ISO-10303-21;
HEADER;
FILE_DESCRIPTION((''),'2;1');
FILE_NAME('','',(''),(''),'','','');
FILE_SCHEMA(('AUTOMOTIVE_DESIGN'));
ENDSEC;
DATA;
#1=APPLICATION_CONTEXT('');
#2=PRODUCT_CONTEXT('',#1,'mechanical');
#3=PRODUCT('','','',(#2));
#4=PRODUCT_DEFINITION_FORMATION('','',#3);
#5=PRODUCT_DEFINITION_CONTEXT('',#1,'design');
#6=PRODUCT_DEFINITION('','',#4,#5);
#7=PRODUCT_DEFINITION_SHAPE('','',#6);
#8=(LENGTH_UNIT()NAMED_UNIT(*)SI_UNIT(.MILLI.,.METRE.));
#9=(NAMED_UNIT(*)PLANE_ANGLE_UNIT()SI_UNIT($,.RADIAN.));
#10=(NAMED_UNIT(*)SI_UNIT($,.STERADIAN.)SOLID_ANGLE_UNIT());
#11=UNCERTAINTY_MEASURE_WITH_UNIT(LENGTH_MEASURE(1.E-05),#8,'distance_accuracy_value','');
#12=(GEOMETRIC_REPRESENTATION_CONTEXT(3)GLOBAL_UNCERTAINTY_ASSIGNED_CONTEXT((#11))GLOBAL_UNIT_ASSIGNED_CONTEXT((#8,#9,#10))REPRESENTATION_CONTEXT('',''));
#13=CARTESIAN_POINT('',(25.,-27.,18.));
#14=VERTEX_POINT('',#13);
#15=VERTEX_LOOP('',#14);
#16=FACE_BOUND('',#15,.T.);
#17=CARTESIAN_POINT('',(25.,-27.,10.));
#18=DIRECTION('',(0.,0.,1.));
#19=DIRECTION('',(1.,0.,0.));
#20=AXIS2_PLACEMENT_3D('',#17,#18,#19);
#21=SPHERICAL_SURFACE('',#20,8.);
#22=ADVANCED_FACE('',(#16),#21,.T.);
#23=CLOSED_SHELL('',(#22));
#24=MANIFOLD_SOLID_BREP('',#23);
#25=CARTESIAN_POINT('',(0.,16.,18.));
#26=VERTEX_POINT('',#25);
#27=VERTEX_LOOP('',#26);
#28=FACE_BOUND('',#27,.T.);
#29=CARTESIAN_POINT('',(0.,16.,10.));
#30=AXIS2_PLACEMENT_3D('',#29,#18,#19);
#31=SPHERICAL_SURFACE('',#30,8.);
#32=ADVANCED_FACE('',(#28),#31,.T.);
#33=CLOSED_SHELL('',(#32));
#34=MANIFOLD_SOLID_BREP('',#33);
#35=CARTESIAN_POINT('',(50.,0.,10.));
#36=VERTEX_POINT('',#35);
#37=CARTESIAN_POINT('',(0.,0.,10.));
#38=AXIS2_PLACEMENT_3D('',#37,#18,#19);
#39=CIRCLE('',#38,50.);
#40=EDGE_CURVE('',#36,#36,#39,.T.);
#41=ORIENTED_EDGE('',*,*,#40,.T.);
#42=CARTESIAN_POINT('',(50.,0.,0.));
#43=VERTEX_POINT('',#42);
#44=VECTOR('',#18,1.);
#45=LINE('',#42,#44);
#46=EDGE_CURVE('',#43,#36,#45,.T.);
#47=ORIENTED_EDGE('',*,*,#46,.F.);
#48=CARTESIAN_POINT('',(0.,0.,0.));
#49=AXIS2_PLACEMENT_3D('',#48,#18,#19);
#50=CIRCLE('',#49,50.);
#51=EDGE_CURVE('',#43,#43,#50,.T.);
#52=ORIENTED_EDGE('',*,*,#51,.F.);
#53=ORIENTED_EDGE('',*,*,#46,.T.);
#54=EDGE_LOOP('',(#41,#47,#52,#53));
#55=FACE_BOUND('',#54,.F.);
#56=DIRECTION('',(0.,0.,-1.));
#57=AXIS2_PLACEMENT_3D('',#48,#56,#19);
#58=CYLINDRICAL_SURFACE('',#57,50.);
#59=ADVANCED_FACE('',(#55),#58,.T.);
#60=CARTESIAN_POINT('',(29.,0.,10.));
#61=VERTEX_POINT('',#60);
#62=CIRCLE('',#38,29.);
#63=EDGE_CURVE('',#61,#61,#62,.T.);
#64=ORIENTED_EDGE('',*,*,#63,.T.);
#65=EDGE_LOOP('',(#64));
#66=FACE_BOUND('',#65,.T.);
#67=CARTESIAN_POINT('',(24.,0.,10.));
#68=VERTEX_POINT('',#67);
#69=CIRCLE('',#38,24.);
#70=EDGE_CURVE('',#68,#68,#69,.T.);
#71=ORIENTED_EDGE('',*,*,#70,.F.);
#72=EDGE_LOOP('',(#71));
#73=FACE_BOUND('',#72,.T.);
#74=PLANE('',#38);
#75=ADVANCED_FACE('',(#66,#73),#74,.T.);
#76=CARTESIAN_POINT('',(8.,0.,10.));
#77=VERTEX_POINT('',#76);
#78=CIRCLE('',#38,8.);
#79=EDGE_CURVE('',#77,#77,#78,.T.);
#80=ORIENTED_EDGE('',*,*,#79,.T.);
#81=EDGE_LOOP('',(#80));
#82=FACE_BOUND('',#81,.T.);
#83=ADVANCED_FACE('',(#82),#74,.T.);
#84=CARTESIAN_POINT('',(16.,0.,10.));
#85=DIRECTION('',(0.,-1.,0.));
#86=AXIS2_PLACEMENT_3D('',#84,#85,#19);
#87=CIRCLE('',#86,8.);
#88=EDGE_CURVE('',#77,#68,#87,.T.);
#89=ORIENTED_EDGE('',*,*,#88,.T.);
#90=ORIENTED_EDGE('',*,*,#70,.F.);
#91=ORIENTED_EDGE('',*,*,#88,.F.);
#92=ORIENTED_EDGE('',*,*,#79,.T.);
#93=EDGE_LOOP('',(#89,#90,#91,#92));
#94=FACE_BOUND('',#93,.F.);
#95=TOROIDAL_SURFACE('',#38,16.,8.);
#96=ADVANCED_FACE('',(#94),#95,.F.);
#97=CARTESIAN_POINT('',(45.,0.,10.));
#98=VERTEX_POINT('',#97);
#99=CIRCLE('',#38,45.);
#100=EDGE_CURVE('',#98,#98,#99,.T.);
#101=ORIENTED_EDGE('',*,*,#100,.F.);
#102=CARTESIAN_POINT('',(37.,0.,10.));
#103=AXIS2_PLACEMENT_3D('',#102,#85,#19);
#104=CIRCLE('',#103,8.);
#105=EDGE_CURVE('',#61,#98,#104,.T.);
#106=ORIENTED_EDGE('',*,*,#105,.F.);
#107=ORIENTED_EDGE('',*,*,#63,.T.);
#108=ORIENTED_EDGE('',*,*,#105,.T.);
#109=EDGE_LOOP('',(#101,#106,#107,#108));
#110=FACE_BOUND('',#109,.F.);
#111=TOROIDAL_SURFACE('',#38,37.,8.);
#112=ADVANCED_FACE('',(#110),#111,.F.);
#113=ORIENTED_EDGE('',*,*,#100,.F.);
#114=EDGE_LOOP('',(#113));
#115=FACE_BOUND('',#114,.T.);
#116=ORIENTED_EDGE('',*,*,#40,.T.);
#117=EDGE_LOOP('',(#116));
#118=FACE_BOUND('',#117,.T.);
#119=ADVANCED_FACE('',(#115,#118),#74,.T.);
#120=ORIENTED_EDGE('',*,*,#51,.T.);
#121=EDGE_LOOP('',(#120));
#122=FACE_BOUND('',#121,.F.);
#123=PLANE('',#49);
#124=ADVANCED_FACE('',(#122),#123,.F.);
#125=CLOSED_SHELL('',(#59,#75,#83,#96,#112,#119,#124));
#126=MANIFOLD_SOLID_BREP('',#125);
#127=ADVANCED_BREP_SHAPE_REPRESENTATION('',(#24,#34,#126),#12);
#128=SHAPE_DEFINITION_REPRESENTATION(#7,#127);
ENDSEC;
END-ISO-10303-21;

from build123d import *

# Parameters (mm, degrees)
TORUS001_R     = 8
TORUS_R        = 8
CYLINDER_R     = 50
CYLINDER_DEPTH = 10


with BuildPart() as torus001:
    # Torus001 → Torus001 (revolve)
    with BuildSketch(Plane(origin=(0, 0, 10), x_dir=(1, 0, 0), z_dir=(0, -1, 0))):
        with Locations((37, 0)):
            Circle(TORUS001_R)
    revolve(axis=Axis((0, 0, 10), (0, 0, 1)))


with BuildPart() as torus:
    # Torus → Torus (revolve)
    with BuildSketch(Plane(origin=(0, 0, 10), x_dir=(1, 0, 0), z_dir=(0, -1, 0))):
        with Locations((16, 0)):
            Circle(TORUS_R)
    revolve(axis=Axis((0, 0, 10), (0, 0, 1)))


with BuildPart() as cut001:
    # Cylinder → Cylinder (new body)
    with BuildSketch(Plane.XY):
        Circle(CYLINDER_R)
    extrude(amount=CYLINDER_DEPTH)

    # Cut: cut Torus
    add(torus.part, mode=Mode.SUBTRACT)

    # Cut001: cut Torus001
    add(torus001.part, mode=Mode.SUBTRACT)


with BuildPart() as esfera:
    # Sphere → Sphere (revolve)
    with BuildSketch(Plane(origin=(0, 16, 10), x_dir=(1, 0, 0), z_dir=(0, -1, 0))):
        with BuildLine():
            ThreePointArc((0, -8), (8, 0), (0, 8))
            Line((0, 8), (0, -8))
        make_face()
    revolve(axis=Axis((0, 16, 10), (0, 0, 1)))


with BuildPart() as esfera001:
    # Sphere001 → Sphere001 (revolve)
    with BuildSketch(Plane(origin=(25, -27, 10), x_dir=(1, 0, 0), z_dir=(0, -1, 0))):
        with BuildLine():
            ThreePointArc((0, -8), (8, 0), (0, 8))
            Line((0, 8), (0, -8))
        make_face()
    revolve(axis=Axis((25, -27, 10), (0, 0, 1)))


solid = Compound([cut001.part, esfera.part, esfera001.part])
